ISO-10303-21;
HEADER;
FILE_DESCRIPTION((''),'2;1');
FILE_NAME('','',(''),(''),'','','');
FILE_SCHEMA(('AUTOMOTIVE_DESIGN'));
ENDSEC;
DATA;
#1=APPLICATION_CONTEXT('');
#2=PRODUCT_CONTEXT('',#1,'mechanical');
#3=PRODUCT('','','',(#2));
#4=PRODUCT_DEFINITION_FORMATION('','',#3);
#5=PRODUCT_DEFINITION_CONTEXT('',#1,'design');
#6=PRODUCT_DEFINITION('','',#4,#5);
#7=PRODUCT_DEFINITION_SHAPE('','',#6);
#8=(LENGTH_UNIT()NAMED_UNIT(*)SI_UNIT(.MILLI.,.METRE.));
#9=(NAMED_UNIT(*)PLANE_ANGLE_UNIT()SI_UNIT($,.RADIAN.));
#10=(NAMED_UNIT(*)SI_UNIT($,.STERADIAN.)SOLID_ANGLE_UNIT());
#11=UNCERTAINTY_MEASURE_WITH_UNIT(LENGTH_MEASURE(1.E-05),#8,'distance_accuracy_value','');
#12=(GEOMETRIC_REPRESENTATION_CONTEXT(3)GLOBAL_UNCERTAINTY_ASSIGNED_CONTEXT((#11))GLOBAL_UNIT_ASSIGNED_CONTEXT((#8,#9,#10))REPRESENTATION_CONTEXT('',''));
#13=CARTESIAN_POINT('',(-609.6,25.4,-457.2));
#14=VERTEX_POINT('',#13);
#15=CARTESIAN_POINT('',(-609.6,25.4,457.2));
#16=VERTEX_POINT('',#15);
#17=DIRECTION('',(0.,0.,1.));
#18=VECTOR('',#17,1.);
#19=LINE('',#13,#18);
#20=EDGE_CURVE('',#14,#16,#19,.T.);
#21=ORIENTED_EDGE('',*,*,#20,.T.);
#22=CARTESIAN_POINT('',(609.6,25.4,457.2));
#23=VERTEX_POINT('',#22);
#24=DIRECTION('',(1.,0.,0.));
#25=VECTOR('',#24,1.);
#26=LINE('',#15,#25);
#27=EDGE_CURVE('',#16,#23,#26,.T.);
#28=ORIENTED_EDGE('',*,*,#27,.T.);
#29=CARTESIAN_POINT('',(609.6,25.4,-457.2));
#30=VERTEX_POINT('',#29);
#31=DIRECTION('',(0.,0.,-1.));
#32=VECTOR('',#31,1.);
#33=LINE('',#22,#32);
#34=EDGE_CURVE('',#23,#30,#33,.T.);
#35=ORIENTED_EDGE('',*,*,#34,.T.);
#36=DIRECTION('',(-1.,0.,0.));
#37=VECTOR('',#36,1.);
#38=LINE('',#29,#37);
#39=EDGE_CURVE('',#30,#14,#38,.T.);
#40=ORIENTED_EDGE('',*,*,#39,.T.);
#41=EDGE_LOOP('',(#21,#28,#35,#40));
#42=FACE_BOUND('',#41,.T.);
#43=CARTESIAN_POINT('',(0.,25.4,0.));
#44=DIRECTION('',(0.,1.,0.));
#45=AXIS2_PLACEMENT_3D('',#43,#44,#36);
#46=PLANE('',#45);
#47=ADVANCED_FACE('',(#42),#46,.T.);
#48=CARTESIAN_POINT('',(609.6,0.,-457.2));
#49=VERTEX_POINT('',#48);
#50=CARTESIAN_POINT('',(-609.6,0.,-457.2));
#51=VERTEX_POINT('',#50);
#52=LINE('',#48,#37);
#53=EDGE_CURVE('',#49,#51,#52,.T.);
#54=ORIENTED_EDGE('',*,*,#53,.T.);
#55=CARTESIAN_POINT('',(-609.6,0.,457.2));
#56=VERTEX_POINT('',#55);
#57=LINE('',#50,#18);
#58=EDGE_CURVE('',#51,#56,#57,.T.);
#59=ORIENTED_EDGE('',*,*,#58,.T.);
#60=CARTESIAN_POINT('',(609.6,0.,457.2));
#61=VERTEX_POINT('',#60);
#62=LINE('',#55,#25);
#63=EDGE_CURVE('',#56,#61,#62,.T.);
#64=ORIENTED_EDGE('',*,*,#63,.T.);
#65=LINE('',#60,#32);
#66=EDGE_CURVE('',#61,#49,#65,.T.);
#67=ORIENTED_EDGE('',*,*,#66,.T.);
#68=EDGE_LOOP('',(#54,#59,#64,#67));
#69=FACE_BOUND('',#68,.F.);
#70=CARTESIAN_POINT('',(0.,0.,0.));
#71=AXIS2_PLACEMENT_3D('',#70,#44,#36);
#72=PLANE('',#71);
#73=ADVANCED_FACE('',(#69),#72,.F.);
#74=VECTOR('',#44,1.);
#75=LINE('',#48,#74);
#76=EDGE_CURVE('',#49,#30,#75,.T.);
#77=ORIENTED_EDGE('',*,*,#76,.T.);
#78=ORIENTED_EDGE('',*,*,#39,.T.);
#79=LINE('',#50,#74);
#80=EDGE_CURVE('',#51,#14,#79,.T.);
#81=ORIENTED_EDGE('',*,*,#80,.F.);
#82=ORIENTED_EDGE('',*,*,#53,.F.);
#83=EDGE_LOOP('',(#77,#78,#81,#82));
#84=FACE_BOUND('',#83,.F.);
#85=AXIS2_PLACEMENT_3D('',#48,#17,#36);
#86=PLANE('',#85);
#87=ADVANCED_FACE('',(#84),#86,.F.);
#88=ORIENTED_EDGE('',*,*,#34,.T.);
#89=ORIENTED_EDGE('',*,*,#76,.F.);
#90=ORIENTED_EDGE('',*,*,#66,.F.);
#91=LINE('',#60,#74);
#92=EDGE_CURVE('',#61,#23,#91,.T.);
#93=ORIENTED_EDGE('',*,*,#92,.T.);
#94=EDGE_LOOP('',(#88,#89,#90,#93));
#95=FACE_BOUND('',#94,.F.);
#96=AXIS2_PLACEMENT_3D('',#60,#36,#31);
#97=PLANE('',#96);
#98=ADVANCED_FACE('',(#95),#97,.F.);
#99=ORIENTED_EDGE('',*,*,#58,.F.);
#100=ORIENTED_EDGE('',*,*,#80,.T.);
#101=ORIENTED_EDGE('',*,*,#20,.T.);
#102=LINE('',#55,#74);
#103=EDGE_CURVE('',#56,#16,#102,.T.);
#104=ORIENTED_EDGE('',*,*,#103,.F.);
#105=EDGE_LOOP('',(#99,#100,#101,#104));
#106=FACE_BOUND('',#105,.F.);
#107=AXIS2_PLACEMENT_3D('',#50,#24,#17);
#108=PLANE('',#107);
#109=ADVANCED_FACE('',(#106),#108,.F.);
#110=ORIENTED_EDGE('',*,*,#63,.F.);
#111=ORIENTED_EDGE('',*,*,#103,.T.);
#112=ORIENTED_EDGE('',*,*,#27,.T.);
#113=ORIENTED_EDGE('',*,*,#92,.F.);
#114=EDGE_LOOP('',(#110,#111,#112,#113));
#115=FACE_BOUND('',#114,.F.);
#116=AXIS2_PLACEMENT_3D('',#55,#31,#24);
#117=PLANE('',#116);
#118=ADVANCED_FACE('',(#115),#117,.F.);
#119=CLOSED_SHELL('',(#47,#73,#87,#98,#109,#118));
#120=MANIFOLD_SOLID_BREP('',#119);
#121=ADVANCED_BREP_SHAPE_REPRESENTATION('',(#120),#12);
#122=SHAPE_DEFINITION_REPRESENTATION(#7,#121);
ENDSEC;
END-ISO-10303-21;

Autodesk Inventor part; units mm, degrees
ref_plane "YZ Plane" through (0, 0, 0) normal (1, 0, 0) x (0, 1, 0)
ref_plane "XZ Plane" through (0, 0, 0) normal (0, 1, 0) x (-1, 0, 0)
ref_plane "XY Plane" through (0, 0, 0) normal (0, 0, 1) x (1, 0, 0)
sketch "Sketch1" plane through (0, 0, 0) normal (0, 1, 0) x (-1, 0, 0)
  line L0 (609.6, 457.2) -> (-609.6, 457.2)
  line L1 (-609.6, 457.2) -> (-609.6, -457.2)
  line L2 (-609.6, -457.2) -> (609.6, -457.2)
  line L3 (609.6, -457.2) -> (609.6, 457.2)
  point P0 (0, 0)
  point P1 (609.6, 0)
  point P2 (0, -457.2)
  dimension "d0" = 914.4
  dimension "d1" = 1219.2
extrude "Extrusion1" add sketch "Sketch1" along normal blind 25.4
ref_plane "Work Plane1" through (609.6, 0, 0) normal (0, 0, -1) x (-1, 0, 0)
properties part number "TopPlatform"
